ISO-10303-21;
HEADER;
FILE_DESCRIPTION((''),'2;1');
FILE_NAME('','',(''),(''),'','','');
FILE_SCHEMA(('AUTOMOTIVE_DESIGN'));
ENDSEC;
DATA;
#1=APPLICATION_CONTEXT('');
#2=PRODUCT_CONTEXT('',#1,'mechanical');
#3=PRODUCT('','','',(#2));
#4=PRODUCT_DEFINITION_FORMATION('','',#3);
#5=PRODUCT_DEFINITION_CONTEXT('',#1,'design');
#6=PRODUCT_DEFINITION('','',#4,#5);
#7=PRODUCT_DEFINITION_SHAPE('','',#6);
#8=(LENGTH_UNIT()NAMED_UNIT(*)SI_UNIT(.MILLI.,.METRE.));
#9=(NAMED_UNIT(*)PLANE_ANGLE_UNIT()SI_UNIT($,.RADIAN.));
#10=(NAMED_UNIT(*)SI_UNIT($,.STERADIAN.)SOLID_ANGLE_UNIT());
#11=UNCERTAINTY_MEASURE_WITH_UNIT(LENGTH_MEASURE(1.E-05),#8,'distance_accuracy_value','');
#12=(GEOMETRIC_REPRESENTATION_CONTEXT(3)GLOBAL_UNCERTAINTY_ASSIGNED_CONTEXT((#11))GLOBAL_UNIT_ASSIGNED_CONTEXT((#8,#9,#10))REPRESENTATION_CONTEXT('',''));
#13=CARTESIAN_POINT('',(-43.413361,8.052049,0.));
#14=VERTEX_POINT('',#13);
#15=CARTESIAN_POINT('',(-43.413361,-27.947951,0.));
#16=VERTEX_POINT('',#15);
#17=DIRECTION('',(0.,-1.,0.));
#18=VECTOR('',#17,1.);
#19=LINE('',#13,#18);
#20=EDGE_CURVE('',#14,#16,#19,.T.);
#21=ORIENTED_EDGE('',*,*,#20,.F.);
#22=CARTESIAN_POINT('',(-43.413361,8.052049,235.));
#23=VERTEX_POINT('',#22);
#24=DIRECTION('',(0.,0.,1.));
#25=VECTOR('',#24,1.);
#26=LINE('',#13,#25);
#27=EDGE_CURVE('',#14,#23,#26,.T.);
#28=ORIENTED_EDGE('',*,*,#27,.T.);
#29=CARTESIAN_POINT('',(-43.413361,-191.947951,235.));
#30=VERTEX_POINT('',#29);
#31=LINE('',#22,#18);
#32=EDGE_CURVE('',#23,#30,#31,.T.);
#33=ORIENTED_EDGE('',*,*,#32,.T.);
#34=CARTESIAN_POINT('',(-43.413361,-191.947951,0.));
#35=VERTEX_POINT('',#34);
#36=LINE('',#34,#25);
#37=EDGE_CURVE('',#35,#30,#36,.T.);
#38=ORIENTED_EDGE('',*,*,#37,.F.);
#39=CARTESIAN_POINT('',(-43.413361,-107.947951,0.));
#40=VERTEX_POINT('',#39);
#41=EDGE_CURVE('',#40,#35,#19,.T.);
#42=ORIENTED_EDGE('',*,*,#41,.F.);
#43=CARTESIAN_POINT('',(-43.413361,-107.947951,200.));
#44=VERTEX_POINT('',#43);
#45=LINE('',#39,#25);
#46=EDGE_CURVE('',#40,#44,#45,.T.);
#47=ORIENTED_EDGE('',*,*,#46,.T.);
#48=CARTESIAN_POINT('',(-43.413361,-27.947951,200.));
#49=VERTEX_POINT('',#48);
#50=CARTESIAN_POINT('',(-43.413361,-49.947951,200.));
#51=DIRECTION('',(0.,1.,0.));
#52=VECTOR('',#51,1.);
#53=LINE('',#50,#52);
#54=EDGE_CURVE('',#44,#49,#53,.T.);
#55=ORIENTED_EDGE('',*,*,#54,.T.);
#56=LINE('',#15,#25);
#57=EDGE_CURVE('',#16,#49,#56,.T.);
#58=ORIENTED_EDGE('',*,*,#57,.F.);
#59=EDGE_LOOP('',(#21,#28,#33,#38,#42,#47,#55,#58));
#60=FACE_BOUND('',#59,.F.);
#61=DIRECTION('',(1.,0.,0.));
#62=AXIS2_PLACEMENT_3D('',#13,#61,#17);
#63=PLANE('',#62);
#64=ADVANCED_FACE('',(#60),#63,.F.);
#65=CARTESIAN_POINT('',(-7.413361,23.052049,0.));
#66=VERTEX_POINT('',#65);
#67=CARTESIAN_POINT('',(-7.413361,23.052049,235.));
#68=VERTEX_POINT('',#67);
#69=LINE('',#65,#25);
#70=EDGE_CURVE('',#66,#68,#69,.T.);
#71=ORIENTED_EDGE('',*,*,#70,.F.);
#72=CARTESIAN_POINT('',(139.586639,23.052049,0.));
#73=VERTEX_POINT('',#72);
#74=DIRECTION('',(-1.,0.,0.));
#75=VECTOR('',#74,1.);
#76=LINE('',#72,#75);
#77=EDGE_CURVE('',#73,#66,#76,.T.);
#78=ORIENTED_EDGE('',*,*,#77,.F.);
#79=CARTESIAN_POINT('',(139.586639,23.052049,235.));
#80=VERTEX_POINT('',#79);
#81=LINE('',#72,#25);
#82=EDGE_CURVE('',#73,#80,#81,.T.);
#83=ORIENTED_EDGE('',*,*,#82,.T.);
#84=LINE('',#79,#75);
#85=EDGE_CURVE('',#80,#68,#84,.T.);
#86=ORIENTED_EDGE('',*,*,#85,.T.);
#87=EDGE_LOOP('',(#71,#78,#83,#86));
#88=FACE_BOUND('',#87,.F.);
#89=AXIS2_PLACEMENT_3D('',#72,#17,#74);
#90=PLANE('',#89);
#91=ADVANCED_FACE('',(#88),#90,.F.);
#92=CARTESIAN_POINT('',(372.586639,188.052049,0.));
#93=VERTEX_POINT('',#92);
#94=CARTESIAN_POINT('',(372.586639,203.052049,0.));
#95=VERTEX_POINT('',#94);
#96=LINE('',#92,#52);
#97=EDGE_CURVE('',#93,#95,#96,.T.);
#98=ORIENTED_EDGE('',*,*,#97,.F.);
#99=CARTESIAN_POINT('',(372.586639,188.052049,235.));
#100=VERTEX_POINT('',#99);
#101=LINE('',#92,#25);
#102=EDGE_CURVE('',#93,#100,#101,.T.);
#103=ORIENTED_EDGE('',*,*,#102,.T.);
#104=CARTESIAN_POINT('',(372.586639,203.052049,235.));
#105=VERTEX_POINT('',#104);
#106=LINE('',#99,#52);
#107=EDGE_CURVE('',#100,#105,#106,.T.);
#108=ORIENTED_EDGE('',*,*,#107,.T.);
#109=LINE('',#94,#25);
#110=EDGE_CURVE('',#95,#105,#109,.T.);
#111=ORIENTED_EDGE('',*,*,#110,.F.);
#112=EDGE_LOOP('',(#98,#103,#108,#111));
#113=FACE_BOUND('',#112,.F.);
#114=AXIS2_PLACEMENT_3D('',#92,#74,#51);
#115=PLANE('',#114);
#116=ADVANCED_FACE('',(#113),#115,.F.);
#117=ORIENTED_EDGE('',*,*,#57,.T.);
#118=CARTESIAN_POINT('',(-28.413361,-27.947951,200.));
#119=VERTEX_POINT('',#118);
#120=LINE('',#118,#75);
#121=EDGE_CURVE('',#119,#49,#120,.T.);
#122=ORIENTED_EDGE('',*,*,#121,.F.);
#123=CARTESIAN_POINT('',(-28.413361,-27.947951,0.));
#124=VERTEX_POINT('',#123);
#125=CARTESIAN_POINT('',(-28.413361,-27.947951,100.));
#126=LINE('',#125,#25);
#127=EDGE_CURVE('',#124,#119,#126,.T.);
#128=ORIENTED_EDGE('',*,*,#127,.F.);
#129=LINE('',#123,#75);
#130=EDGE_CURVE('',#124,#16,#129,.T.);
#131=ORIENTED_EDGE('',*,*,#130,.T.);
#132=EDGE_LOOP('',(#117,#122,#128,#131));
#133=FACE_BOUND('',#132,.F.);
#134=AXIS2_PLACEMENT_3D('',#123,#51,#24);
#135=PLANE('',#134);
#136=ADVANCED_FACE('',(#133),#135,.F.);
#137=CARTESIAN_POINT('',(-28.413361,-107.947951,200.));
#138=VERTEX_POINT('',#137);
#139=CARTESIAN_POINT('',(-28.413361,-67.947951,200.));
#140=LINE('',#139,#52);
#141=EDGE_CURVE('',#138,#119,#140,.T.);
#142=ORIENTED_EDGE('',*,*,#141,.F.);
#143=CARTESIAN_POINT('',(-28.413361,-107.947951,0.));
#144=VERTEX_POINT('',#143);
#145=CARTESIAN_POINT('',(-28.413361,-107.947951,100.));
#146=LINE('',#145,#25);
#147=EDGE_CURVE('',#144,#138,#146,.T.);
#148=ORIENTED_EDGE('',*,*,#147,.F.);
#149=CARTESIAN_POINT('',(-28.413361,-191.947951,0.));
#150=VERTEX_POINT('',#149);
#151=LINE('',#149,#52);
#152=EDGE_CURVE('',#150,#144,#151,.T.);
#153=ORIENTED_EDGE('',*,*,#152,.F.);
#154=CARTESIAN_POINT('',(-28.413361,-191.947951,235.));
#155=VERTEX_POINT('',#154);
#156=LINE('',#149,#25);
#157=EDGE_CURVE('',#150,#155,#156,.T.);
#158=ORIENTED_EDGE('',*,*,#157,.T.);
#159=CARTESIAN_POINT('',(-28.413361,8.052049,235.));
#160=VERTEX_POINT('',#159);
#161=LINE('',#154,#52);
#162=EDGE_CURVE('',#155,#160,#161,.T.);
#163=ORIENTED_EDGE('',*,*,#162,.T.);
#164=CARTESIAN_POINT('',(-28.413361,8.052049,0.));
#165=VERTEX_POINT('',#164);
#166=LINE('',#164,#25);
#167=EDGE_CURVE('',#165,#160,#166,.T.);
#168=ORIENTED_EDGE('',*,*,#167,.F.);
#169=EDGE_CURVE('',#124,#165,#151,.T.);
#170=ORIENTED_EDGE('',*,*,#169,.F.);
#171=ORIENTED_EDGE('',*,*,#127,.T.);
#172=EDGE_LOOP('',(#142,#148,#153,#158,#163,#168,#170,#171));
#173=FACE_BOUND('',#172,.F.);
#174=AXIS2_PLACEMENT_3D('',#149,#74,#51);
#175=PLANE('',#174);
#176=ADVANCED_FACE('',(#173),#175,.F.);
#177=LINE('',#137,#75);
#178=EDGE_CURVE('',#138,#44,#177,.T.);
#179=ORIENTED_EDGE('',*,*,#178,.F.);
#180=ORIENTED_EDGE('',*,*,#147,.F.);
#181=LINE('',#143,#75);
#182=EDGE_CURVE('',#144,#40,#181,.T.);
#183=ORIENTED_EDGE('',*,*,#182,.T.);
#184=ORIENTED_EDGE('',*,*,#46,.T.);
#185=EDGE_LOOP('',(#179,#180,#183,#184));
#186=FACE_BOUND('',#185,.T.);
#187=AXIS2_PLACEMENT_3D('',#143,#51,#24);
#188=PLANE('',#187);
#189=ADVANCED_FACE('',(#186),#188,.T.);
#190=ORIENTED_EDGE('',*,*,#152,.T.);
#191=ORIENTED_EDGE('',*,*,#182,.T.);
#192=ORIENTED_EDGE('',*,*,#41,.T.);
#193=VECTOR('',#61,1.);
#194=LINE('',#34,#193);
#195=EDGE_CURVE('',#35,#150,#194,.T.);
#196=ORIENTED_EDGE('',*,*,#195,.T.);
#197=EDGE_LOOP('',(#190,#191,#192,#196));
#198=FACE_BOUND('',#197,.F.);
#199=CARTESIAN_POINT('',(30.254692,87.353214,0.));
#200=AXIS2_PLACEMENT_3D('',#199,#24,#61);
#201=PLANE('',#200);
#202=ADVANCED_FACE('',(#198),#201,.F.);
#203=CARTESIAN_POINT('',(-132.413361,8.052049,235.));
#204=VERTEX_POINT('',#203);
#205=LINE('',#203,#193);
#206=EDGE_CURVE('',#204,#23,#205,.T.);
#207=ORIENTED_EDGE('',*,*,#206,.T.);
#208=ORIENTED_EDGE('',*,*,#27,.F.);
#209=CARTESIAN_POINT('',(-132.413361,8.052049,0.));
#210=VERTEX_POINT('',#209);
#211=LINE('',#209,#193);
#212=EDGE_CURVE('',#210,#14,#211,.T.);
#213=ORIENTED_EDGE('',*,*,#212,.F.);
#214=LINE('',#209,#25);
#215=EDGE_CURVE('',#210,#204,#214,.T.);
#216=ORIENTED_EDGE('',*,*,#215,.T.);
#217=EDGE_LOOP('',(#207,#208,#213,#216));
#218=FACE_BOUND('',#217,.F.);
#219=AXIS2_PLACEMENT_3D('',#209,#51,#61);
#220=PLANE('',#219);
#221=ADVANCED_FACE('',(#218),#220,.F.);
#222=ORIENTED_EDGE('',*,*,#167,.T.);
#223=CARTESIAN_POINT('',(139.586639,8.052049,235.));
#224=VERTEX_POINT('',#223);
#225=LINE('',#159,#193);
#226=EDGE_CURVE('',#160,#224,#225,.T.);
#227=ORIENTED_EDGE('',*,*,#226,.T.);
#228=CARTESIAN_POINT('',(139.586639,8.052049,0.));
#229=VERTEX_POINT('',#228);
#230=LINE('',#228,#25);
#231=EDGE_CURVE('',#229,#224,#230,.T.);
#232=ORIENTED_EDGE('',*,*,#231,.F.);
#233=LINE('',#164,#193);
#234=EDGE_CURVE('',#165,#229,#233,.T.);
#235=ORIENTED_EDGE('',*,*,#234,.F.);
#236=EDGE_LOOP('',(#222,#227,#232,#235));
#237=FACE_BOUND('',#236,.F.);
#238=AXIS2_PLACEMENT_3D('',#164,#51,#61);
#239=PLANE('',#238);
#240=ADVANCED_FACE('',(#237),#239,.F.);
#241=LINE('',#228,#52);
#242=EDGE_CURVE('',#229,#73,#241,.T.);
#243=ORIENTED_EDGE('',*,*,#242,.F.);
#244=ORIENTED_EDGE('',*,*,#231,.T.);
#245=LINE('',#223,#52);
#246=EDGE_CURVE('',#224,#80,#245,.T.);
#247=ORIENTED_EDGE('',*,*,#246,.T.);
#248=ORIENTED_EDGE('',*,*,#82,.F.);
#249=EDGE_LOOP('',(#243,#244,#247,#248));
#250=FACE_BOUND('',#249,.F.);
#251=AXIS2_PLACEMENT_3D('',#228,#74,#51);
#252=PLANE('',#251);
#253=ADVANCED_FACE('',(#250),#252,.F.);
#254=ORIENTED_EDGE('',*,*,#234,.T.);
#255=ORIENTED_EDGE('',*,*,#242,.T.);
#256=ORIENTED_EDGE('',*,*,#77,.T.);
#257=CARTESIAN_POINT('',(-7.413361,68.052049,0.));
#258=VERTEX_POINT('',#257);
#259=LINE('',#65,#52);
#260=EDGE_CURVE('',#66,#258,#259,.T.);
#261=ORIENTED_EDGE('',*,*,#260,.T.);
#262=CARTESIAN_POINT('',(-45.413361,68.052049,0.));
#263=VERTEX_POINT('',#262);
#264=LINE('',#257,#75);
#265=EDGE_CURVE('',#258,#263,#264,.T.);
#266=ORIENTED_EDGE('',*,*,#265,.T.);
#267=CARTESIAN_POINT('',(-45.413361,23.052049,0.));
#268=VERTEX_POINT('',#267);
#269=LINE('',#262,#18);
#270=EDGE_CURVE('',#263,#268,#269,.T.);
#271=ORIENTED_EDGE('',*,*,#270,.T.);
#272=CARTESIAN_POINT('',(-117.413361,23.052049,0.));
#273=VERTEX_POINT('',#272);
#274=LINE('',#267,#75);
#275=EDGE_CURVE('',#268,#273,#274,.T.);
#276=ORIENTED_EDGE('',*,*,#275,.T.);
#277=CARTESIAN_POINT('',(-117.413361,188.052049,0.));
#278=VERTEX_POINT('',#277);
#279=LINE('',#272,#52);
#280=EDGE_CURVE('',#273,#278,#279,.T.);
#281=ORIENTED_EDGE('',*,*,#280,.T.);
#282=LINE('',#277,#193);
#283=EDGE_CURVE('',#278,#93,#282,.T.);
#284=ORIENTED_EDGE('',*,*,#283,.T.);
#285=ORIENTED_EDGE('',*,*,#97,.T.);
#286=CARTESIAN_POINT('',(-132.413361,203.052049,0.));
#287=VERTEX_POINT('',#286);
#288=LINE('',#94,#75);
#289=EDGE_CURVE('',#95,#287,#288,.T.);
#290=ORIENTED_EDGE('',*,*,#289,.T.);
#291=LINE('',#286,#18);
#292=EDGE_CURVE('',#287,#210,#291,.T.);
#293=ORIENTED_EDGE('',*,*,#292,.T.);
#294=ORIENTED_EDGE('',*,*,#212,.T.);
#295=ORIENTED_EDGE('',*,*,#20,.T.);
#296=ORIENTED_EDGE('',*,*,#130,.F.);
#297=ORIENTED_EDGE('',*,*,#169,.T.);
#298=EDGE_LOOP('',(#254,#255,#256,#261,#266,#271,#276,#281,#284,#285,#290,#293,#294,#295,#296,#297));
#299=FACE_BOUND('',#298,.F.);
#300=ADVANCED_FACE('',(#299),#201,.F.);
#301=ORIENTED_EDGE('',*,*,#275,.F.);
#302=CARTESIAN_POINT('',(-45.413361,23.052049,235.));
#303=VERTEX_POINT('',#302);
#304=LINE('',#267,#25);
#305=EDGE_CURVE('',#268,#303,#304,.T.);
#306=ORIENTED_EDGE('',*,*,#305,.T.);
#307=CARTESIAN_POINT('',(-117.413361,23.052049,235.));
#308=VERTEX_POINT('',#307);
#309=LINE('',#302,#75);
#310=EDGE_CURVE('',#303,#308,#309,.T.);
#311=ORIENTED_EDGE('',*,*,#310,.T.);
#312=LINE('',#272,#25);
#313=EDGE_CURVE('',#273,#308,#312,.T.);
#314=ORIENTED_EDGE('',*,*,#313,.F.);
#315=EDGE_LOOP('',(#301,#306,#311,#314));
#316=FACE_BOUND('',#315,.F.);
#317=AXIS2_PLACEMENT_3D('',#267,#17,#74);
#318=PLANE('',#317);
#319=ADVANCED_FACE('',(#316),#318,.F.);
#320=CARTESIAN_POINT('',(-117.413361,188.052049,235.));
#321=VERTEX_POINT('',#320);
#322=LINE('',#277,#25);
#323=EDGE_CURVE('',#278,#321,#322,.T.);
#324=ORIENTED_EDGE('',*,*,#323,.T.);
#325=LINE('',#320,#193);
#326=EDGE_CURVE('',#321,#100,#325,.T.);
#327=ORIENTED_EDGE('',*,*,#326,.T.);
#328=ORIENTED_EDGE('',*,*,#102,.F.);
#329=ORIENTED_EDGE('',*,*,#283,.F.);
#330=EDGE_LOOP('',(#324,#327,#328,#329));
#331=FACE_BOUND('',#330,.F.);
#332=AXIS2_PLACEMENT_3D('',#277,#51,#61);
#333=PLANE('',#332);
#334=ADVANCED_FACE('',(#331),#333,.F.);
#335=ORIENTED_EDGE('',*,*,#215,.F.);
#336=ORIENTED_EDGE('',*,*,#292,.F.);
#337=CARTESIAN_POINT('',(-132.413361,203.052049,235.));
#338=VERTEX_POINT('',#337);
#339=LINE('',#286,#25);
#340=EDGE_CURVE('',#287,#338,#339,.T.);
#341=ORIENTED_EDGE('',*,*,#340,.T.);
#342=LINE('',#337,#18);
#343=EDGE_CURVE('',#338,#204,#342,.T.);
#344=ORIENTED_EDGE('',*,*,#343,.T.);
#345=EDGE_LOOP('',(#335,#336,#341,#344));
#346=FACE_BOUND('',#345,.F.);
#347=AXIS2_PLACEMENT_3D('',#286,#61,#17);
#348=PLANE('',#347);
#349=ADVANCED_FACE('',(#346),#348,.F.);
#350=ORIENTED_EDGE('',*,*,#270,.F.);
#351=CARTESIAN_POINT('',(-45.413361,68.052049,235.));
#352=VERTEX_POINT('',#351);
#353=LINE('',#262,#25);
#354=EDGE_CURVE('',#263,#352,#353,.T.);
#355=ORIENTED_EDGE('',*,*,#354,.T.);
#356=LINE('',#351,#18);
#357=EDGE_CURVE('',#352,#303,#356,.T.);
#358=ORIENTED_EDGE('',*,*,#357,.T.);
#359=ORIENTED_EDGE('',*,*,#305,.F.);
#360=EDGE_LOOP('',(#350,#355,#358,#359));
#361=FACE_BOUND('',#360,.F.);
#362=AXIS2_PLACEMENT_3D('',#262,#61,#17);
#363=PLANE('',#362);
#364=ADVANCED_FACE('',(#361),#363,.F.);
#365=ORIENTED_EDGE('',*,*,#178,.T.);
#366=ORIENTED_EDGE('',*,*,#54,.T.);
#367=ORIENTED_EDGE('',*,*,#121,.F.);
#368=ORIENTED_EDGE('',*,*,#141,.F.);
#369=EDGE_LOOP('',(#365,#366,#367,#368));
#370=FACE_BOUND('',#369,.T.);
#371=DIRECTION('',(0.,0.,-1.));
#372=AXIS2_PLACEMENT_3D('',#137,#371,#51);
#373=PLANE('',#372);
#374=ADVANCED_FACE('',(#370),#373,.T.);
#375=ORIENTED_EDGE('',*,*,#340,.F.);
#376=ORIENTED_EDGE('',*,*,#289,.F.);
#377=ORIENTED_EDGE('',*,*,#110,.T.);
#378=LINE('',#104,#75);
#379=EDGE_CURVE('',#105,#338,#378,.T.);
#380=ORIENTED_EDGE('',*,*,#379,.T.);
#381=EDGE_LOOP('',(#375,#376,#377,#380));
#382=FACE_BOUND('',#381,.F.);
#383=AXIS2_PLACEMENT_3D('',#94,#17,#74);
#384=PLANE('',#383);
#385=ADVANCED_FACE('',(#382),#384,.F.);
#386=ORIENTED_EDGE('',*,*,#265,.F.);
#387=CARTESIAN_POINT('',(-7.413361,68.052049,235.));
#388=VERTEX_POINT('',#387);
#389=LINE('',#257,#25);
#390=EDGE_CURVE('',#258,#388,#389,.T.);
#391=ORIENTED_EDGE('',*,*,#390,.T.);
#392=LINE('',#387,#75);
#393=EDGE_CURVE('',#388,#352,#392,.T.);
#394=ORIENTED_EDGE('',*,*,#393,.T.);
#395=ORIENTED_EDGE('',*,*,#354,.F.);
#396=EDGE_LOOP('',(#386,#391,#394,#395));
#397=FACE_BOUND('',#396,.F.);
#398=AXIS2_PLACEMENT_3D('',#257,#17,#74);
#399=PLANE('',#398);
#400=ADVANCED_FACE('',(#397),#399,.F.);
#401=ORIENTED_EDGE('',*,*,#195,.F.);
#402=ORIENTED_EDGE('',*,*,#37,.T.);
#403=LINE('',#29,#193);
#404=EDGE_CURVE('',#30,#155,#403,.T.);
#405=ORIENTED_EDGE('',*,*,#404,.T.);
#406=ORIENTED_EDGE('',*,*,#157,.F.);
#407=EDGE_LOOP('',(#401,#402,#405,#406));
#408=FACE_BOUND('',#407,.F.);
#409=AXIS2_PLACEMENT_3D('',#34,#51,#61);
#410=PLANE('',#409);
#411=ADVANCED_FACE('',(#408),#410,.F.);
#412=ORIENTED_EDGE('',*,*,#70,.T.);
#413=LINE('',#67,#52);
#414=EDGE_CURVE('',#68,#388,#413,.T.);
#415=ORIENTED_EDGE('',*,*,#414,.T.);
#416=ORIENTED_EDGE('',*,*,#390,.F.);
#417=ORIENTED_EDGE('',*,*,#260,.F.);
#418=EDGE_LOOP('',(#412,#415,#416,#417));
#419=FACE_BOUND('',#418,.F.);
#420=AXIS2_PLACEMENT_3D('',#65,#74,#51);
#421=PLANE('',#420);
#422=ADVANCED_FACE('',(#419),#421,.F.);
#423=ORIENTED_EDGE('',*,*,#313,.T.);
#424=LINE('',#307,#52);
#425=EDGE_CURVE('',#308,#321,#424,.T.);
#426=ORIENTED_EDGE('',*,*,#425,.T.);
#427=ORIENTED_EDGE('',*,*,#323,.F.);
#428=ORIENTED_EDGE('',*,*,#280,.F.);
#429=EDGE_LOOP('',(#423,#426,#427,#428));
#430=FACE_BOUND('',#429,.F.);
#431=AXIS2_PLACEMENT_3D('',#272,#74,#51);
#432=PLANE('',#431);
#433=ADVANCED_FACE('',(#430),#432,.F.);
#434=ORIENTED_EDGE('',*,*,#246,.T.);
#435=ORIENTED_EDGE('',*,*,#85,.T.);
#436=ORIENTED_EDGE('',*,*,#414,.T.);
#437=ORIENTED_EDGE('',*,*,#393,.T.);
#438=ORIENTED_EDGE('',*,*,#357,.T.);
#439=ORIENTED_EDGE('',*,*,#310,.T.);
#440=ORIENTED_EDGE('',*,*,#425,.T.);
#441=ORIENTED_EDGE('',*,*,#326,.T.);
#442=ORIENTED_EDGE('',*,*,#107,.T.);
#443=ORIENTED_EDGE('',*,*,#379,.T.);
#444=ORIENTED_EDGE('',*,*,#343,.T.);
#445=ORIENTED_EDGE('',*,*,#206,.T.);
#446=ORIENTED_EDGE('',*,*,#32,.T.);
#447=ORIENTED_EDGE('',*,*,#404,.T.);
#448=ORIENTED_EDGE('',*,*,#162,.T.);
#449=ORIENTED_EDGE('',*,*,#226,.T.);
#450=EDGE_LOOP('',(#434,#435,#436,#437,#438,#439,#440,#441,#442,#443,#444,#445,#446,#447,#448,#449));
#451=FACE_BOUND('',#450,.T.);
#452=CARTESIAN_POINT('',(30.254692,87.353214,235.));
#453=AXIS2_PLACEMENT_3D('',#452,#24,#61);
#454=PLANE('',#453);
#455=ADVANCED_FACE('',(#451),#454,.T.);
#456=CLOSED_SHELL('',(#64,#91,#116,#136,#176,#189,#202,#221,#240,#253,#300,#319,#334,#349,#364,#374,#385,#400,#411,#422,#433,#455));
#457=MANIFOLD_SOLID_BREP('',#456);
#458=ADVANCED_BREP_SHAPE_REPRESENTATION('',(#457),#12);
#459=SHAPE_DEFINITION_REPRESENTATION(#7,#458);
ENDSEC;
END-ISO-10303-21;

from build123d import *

# Parameters (mm, degrees)
F1_DEPTH = 235
F2_W     = 80
F2_H     = 200
F3_DEPTH = 104.001


with BuildPart() as f1:
    # F0 (on Top) → F1 (new body)
    with BuildSketch(Plane.XY):
        Polygon((-117.413361, 188.052049), (372.586639, 188.052049), (372.586639, 203.052049), (-132.413361, 203.052049), (-132.413361, 8.052049), (-43.413361, 8.052049), (-43.413361, -191.947951), (-28.413361, -191.947951), (-28.413361, 8.052049), (139.586639, 8.052049), (139.586639, 23.052049), (-7.413361, 23.052049), (-7.413361, 68.052049), (-45.413361, 68.052049), (-45.413361, 23.052049), (-117.413361, 23.052049), align=None)
    extrude(amount=F1_DEPTH)

    # F2 (on face) → F3 (cut, through all)
    with BuildSketch(Plane.YZ.offset(-28.413361)):
        with Locations((-67.947951, 100)):
            Rectangle(F2_W, F2_H)
    extrude(amount=-F3_DEPTH, mode=Mode.SUBTRACT)


solid = f1.part
